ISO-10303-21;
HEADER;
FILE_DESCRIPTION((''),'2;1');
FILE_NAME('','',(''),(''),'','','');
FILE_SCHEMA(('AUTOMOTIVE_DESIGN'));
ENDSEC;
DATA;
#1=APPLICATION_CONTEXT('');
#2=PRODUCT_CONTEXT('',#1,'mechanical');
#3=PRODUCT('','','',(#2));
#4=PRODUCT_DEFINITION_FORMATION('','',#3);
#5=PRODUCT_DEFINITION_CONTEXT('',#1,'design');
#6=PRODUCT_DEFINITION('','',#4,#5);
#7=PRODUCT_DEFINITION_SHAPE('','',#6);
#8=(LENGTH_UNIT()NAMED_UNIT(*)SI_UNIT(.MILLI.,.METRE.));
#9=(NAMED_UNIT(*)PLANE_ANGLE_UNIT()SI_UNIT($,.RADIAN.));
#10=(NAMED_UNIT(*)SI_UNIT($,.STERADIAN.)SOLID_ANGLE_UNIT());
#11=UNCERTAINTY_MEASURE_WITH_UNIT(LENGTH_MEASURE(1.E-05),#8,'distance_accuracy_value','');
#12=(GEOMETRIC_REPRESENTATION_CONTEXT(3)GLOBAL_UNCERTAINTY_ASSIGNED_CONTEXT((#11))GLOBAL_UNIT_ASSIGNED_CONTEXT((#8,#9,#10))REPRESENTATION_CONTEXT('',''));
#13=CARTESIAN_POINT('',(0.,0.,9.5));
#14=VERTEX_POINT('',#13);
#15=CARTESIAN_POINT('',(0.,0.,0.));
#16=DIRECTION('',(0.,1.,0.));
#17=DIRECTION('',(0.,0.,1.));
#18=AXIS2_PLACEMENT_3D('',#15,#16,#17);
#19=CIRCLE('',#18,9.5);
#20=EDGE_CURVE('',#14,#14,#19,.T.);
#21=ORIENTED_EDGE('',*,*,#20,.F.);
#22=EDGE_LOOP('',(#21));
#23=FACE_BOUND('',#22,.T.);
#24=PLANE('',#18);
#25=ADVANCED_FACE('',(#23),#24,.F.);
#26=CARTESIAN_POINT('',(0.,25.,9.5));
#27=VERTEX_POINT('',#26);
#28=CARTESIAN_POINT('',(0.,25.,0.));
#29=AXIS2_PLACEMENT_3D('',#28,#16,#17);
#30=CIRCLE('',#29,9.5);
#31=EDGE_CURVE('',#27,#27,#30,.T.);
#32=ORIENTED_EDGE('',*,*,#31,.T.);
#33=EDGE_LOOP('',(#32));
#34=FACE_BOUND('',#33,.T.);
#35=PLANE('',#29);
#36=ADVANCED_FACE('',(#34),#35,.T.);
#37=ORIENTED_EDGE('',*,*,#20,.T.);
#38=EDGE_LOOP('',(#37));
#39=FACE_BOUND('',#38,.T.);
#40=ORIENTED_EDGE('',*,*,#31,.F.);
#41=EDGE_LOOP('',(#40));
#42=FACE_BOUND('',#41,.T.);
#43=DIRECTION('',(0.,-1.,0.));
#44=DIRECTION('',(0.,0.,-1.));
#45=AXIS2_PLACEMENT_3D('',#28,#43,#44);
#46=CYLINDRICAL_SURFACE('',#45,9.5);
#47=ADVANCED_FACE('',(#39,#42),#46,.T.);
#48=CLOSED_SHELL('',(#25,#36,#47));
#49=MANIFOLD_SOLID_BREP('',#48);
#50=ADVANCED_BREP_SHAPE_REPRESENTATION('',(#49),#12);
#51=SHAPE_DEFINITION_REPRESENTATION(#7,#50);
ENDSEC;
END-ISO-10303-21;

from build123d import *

# Parameters (mm, degrees)
ESBO_O1_R                = 9.5
RESSALTO_EXTRUS_O1_DEPTH = 25


with BuildPart() as part:
    # Esboço1 → Ressalto-extrusão1 (new body)
    with BuildSketch(Plane(origin=(0, 0, 0), x_dir=(1, 0, 0), z_dir=(0, 1, 0))):
        with Locations(Location((0, 0, 0), (0, 0, 270))):
            Circle(ESBO_O1_R)
    extrude(amount=RESSALTO_EXTRUS_O1_DEPTH)


solid = part.part
